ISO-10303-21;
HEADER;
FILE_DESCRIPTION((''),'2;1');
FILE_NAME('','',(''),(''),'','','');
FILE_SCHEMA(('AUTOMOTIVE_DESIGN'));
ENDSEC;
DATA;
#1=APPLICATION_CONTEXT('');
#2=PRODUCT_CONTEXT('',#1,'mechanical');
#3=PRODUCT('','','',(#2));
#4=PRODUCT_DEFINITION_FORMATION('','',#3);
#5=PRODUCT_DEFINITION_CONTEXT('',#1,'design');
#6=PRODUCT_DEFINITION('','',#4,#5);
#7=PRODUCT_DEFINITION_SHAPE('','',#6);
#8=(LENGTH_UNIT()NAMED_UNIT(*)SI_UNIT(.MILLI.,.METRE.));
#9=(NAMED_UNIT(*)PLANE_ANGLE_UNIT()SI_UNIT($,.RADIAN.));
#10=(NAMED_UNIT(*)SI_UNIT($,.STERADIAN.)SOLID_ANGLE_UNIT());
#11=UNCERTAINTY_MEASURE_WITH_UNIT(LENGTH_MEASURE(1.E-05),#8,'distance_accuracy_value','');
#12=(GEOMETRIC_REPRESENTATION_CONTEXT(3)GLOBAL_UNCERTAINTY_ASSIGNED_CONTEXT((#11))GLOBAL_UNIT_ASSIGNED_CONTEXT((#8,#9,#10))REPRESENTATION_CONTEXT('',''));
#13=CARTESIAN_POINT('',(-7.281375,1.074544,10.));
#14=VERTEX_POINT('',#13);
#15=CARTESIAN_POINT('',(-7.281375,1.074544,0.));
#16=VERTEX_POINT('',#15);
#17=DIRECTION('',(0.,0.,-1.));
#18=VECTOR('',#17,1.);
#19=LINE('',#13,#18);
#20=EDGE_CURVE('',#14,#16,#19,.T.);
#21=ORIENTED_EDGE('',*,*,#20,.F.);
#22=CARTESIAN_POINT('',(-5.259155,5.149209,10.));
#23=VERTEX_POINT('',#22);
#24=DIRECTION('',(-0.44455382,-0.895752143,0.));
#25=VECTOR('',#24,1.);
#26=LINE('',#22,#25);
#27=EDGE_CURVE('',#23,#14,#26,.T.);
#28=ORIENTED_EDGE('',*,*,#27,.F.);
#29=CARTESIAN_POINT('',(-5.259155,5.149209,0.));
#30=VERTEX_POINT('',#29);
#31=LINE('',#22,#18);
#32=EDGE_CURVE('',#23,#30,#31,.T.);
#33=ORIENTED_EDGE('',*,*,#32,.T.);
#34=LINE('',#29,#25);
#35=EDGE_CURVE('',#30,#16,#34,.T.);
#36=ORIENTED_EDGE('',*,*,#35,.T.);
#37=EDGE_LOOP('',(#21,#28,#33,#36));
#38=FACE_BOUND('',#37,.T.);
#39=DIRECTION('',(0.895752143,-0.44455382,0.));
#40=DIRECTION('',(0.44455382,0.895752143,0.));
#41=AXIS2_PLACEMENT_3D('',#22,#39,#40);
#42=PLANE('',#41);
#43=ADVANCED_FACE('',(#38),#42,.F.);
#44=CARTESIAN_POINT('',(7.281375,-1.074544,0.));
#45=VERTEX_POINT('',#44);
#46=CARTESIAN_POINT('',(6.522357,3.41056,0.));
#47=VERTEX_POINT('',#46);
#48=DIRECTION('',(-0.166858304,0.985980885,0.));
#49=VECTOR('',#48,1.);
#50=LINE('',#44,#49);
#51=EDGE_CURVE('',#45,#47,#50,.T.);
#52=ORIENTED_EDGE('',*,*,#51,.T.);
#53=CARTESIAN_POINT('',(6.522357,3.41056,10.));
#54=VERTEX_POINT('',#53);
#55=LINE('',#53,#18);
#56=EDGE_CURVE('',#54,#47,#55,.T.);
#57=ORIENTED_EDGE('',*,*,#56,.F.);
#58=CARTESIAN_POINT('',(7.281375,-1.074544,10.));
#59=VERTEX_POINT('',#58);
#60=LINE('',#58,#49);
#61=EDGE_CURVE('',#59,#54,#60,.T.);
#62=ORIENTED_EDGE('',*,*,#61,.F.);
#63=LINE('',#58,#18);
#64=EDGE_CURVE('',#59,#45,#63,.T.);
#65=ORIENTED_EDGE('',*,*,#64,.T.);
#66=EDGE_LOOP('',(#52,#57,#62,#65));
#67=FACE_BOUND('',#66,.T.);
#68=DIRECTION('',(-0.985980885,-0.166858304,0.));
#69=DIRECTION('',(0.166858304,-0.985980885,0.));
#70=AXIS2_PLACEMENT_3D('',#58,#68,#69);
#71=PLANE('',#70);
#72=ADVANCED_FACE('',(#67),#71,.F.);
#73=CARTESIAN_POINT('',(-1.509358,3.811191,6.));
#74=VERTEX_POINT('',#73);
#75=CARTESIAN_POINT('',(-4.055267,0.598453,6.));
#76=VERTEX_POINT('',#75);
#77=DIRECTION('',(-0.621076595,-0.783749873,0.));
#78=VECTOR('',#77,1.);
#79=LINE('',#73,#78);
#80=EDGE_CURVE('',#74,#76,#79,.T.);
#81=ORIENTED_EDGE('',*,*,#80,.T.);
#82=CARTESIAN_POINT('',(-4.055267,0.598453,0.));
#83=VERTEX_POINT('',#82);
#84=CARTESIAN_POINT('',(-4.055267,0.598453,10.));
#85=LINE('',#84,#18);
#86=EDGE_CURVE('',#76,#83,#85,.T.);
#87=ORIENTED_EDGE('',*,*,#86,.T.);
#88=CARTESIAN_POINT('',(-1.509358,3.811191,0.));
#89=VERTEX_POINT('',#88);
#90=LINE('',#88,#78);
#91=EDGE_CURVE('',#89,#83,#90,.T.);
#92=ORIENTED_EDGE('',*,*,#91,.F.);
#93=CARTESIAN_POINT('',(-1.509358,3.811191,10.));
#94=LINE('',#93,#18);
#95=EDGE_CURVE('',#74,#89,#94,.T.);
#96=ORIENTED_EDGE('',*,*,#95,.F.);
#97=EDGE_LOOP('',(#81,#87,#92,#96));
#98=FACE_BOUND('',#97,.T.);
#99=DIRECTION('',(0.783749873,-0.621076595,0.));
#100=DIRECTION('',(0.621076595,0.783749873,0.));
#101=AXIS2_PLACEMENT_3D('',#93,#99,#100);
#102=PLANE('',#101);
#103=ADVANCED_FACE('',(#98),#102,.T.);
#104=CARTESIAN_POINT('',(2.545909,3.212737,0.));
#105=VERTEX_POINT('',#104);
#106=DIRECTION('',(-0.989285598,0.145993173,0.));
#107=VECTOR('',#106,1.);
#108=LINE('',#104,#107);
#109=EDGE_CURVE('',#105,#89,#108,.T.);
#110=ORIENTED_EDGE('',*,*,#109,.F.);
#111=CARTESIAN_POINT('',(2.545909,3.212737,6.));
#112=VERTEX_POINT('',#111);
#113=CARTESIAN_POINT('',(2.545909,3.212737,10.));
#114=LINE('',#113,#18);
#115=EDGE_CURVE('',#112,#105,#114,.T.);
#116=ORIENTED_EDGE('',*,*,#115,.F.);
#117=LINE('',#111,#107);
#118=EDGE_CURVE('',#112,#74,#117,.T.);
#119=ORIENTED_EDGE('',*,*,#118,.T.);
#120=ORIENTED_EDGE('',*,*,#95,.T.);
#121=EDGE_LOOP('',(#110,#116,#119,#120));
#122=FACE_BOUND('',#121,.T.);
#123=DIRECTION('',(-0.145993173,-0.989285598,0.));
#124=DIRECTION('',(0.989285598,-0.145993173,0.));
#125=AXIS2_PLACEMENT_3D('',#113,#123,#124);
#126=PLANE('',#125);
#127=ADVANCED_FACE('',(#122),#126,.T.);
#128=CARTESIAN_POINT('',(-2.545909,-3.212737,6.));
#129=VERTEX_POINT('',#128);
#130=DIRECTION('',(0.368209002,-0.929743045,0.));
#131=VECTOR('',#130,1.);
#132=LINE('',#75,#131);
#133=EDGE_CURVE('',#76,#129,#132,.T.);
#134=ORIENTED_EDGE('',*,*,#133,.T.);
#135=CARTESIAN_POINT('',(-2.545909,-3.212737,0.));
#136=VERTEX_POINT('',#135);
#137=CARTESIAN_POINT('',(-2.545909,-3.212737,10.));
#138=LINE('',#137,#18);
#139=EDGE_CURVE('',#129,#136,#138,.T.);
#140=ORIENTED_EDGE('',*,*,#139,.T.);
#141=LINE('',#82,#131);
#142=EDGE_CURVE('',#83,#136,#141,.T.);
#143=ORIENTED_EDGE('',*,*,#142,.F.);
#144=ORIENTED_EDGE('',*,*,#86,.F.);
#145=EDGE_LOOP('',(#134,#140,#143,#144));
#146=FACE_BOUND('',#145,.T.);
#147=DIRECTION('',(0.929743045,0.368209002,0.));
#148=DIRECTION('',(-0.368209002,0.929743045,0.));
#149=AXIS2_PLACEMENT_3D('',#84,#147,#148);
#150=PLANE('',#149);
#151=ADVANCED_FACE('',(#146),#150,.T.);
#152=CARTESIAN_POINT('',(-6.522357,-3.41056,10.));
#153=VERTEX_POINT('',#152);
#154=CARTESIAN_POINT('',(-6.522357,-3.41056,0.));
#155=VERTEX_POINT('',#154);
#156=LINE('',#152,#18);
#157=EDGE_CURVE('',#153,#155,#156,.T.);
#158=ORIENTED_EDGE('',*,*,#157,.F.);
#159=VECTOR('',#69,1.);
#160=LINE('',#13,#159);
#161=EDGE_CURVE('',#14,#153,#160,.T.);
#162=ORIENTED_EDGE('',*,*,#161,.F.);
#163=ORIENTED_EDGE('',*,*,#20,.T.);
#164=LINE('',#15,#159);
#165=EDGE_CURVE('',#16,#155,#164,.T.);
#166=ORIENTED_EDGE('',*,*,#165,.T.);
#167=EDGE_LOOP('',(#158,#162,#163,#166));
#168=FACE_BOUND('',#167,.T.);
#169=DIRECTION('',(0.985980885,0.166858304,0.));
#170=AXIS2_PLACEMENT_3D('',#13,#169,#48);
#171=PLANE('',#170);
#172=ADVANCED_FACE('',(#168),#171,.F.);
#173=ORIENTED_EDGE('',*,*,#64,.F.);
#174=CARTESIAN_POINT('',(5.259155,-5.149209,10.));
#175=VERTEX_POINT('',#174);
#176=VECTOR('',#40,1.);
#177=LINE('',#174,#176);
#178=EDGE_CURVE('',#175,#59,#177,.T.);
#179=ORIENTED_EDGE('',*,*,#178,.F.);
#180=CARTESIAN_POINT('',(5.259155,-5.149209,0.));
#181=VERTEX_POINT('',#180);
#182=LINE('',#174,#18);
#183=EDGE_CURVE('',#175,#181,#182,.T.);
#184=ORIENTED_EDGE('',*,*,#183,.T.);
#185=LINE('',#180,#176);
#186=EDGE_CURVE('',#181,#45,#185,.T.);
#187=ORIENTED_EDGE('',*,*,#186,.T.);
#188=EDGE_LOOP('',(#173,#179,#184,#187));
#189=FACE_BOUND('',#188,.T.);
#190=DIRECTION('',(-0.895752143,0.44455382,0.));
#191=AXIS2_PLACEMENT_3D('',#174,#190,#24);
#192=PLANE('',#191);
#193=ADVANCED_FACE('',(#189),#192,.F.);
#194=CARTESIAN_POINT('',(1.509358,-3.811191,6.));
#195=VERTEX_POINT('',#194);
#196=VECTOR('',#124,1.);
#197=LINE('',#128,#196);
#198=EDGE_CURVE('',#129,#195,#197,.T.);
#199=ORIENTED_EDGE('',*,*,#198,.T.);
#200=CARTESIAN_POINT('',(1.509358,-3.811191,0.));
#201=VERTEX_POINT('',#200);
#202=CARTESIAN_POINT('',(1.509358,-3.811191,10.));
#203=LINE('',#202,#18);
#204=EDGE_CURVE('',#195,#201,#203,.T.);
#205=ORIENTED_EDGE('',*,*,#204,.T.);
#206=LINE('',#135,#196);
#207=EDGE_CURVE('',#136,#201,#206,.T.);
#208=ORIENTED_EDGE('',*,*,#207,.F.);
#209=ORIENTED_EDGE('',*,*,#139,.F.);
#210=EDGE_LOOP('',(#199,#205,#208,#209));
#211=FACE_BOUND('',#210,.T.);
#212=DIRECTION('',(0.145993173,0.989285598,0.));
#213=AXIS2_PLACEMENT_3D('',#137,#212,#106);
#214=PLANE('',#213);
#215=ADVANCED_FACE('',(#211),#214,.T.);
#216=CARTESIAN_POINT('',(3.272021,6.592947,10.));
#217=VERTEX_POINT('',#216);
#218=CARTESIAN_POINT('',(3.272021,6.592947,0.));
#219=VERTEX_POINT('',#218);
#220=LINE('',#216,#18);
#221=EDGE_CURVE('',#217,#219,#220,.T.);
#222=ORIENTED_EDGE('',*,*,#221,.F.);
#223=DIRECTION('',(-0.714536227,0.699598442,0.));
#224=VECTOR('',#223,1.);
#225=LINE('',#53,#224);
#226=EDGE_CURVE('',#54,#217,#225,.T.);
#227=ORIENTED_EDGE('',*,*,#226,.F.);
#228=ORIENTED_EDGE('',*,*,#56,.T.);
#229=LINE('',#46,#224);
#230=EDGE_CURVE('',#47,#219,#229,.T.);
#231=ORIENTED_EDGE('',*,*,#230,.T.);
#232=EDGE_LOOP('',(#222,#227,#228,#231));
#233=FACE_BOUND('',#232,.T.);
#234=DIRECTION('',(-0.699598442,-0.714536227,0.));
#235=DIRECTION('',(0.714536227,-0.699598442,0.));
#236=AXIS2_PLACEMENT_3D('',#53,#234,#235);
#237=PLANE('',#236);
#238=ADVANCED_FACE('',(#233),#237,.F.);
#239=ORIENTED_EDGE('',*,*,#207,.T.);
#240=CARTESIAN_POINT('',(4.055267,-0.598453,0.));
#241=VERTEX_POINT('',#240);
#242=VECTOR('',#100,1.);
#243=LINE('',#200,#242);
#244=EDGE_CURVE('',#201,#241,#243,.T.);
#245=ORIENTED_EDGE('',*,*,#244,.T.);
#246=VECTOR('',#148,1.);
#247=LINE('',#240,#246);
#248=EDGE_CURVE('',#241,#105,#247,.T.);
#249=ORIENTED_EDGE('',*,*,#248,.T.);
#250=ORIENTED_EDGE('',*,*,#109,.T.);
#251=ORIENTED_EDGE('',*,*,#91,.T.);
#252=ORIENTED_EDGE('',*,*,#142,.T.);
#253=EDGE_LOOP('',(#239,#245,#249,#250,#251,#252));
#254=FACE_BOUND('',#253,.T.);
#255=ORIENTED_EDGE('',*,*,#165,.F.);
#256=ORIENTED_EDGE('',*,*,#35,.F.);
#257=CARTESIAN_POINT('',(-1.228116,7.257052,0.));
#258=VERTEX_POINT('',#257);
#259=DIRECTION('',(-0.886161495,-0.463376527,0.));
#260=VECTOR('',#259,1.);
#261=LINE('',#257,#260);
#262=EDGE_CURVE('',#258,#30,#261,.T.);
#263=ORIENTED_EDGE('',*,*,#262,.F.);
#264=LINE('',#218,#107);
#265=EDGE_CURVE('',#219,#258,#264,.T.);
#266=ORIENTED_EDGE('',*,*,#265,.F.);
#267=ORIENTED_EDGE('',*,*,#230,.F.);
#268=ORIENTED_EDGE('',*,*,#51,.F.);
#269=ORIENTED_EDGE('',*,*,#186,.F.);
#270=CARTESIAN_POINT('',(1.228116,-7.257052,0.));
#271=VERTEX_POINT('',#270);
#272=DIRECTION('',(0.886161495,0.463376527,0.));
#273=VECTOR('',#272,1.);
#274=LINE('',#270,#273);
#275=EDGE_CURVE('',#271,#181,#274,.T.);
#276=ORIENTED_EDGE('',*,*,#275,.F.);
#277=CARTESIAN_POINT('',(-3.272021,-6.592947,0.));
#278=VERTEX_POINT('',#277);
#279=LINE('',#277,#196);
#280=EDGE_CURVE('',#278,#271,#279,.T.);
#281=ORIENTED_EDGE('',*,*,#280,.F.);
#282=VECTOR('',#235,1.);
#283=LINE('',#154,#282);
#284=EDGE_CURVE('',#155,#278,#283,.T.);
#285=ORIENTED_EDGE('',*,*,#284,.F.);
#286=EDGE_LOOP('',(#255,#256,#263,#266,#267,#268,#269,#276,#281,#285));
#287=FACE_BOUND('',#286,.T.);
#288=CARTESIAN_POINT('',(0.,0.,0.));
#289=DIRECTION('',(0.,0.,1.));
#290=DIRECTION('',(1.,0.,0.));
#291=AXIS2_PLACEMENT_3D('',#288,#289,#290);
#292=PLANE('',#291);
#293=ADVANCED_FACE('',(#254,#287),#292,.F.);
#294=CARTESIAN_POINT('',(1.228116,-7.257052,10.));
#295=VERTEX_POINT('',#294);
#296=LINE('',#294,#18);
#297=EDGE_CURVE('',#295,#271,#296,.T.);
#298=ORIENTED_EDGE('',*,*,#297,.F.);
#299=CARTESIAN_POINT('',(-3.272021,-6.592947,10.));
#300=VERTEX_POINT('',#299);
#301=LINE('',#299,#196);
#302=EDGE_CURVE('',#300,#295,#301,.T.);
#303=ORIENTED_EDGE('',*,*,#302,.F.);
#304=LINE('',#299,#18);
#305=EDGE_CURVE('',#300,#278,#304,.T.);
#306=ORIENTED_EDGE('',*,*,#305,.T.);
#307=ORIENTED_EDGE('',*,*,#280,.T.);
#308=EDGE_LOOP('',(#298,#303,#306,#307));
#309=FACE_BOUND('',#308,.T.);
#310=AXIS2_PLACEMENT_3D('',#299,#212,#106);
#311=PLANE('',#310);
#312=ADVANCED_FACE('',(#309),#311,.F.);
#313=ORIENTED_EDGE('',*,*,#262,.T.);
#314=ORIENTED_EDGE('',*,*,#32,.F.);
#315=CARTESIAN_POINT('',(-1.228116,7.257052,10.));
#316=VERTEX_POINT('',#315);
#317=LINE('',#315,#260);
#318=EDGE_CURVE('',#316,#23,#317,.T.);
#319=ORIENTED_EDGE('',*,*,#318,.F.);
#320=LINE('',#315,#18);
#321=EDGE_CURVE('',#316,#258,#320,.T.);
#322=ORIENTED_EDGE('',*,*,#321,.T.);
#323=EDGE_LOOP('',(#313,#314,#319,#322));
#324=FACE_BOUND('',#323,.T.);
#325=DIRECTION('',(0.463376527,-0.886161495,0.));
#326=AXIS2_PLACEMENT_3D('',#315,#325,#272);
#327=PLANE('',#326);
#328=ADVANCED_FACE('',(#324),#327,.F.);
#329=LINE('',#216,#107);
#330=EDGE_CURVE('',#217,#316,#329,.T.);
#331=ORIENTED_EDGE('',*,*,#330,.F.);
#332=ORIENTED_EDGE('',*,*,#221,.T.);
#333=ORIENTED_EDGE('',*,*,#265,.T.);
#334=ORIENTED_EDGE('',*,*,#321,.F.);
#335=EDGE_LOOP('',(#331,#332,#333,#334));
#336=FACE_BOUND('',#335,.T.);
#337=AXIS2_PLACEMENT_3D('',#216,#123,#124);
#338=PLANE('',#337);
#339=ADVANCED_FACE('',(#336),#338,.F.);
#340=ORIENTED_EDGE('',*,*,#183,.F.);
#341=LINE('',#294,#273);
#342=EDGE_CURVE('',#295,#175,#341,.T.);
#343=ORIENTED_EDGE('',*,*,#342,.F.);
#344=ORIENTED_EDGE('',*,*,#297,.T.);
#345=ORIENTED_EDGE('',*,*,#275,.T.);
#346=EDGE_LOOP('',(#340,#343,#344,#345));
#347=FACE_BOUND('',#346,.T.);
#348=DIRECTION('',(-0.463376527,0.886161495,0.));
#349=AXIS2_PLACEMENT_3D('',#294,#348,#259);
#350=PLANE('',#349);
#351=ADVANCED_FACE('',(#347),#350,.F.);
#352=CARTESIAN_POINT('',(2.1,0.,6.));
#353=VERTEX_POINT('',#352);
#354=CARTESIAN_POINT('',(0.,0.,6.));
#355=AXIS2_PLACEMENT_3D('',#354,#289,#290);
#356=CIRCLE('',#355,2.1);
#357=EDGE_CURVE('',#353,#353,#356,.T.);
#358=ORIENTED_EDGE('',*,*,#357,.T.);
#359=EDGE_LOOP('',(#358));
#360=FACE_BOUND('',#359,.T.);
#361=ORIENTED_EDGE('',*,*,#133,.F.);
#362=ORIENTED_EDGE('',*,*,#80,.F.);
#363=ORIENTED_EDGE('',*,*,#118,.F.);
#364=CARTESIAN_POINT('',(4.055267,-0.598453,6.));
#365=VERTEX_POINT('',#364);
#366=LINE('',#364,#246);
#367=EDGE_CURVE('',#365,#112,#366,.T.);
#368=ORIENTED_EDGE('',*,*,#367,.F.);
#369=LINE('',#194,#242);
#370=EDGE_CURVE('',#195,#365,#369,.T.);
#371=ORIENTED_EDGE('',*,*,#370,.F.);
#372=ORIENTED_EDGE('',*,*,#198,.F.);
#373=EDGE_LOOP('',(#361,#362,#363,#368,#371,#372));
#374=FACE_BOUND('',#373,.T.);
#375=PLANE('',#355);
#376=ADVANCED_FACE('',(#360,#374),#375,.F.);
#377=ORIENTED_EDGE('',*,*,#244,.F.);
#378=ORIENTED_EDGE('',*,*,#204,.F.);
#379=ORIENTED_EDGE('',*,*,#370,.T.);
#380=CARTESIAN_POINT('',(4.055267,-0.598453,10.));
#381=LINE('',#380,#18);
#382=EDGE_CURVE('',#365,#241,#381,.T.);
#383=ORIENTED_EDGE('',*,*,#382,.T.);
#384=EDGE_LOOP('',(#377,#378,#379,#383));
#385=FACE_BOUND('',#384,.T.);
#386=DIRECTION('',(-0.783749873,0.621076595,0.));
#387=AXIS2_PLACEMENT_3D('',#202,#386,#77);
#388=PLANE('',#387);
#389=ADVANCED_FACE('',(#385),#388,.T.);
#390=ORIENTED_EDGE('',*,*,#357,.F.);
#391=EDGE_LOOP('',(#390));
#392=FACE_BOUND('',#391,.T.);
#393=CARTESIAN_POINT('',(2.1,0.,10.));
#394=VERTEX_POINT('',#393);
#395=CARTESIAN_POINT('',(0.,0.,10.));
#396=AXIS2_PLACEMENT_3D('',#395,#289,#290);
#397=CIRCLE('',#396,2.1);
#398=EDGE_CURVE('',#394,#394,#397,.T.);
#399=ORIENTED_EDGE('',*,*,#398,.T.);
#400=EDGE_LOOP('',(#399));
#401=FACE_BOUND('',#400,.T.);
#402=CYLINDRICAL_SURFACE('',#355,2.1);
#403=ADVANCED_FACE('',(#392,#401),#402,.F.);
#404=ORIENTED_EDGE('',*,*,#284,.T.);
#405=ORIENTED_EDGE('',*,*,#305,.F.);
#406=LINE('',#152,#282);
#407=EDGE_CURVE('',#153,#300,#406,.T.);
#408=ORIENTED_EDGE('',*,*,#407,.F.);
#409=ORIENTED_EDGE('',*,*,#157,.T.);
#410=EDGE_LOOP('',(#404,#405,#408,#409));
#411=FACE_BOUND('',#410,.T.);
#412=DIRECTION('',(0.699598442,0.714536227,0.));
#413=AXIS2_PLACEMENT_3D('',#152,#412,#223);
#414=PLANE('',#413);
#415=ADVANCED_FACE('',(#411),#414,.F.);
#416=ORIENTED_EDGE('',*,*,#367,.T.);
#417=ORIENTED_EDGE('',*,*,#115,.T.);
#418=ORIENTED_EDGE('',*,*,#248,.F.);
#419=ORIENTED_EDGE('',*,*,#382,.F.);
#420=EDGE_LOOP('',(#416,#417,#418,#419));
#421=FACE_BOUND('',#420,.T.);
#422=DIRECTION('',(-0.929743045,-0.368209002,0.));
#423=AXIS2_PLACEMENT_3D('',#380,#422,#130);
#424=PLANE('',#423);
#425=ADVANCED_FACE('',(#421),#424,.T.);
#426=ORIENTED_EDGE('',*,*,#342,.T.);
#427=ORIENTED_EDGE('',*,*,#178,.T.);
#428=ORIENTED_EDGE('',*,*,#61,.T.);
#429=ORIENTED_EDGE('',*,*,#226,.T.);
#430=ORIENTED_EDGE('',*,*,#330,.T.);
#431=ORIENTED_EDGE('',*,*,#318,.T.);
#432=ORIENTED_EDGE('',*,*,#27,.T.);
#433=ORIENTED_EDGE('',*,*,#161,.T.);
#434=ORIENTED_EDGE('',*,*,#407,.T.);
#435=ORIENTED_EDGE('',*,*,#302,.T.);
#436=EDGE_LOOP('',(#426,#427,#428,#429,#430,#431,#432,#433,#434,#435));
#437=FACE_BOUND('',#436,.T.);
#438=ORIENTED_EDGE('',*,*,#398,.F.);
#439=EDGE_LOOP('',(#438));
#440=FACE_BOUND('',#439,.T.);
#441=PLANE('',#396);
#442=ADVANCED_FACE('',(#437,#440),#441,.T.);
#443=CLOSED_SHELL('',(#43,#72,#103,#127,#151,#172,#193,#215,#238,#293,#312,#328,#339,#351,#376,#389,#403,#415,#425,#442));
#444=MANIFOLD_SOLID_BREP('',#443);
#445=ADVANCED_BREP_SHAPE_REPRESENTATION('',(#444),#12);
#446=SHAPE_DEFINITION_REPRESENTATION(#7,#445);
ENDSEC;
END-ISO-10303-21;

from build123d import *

# Parameters (mm, degrees)
BOSS_EXTRU_1_DEPTH = 10
ESQUISSE3_R        = 4.517940726
ESQUISSE3_R_2      = 2.1
BOSS_EXTRU_2_DEPTH = 4


with BuildPart() as part:
    # Esquisse1 → Boss.-Extru.1 (new body)
    with BuildSketch(Plane.XY):
        Polygon((-5.259154953, 5.14920934), (-7.281375044, 1.074544143), (-6.522357353, -3.410560394), (-3.27202084, -6.592946782), (1.228116422, -7.257051584), (5.259154953, -5.14920934), (7.281375044, -1.074544143), (6.522357353, 3.410560394), (3.27202084, 6.592946782), (-1.228116422, 7.257051584), align=None)
        Polygon((1.509357523, -3.811190523), (4.055266573, -0.598453303), (2.54590905, 3.21273722), (-1.509357523, 3.811190523), (-4.055266573, 0.598453303), (-2.54590905, -3.21273722), align=None, mode=Mode.SUBTRACT)
    extrude(amount=BOSS_EXTRU_1_DEPTH)

    # Esquisse3 → Boss.-Extru.2 (add)
    with BuildSketch(Plane.XY.offset(10)):
        Circle(ESQUISSE3_R)
        Circle(ESQUISSE3_R_2, mode=Mode.SUBTRACT)
    extrude(amount=-BOSS_EXTRU_2_DEPTH)


solid = part.part
